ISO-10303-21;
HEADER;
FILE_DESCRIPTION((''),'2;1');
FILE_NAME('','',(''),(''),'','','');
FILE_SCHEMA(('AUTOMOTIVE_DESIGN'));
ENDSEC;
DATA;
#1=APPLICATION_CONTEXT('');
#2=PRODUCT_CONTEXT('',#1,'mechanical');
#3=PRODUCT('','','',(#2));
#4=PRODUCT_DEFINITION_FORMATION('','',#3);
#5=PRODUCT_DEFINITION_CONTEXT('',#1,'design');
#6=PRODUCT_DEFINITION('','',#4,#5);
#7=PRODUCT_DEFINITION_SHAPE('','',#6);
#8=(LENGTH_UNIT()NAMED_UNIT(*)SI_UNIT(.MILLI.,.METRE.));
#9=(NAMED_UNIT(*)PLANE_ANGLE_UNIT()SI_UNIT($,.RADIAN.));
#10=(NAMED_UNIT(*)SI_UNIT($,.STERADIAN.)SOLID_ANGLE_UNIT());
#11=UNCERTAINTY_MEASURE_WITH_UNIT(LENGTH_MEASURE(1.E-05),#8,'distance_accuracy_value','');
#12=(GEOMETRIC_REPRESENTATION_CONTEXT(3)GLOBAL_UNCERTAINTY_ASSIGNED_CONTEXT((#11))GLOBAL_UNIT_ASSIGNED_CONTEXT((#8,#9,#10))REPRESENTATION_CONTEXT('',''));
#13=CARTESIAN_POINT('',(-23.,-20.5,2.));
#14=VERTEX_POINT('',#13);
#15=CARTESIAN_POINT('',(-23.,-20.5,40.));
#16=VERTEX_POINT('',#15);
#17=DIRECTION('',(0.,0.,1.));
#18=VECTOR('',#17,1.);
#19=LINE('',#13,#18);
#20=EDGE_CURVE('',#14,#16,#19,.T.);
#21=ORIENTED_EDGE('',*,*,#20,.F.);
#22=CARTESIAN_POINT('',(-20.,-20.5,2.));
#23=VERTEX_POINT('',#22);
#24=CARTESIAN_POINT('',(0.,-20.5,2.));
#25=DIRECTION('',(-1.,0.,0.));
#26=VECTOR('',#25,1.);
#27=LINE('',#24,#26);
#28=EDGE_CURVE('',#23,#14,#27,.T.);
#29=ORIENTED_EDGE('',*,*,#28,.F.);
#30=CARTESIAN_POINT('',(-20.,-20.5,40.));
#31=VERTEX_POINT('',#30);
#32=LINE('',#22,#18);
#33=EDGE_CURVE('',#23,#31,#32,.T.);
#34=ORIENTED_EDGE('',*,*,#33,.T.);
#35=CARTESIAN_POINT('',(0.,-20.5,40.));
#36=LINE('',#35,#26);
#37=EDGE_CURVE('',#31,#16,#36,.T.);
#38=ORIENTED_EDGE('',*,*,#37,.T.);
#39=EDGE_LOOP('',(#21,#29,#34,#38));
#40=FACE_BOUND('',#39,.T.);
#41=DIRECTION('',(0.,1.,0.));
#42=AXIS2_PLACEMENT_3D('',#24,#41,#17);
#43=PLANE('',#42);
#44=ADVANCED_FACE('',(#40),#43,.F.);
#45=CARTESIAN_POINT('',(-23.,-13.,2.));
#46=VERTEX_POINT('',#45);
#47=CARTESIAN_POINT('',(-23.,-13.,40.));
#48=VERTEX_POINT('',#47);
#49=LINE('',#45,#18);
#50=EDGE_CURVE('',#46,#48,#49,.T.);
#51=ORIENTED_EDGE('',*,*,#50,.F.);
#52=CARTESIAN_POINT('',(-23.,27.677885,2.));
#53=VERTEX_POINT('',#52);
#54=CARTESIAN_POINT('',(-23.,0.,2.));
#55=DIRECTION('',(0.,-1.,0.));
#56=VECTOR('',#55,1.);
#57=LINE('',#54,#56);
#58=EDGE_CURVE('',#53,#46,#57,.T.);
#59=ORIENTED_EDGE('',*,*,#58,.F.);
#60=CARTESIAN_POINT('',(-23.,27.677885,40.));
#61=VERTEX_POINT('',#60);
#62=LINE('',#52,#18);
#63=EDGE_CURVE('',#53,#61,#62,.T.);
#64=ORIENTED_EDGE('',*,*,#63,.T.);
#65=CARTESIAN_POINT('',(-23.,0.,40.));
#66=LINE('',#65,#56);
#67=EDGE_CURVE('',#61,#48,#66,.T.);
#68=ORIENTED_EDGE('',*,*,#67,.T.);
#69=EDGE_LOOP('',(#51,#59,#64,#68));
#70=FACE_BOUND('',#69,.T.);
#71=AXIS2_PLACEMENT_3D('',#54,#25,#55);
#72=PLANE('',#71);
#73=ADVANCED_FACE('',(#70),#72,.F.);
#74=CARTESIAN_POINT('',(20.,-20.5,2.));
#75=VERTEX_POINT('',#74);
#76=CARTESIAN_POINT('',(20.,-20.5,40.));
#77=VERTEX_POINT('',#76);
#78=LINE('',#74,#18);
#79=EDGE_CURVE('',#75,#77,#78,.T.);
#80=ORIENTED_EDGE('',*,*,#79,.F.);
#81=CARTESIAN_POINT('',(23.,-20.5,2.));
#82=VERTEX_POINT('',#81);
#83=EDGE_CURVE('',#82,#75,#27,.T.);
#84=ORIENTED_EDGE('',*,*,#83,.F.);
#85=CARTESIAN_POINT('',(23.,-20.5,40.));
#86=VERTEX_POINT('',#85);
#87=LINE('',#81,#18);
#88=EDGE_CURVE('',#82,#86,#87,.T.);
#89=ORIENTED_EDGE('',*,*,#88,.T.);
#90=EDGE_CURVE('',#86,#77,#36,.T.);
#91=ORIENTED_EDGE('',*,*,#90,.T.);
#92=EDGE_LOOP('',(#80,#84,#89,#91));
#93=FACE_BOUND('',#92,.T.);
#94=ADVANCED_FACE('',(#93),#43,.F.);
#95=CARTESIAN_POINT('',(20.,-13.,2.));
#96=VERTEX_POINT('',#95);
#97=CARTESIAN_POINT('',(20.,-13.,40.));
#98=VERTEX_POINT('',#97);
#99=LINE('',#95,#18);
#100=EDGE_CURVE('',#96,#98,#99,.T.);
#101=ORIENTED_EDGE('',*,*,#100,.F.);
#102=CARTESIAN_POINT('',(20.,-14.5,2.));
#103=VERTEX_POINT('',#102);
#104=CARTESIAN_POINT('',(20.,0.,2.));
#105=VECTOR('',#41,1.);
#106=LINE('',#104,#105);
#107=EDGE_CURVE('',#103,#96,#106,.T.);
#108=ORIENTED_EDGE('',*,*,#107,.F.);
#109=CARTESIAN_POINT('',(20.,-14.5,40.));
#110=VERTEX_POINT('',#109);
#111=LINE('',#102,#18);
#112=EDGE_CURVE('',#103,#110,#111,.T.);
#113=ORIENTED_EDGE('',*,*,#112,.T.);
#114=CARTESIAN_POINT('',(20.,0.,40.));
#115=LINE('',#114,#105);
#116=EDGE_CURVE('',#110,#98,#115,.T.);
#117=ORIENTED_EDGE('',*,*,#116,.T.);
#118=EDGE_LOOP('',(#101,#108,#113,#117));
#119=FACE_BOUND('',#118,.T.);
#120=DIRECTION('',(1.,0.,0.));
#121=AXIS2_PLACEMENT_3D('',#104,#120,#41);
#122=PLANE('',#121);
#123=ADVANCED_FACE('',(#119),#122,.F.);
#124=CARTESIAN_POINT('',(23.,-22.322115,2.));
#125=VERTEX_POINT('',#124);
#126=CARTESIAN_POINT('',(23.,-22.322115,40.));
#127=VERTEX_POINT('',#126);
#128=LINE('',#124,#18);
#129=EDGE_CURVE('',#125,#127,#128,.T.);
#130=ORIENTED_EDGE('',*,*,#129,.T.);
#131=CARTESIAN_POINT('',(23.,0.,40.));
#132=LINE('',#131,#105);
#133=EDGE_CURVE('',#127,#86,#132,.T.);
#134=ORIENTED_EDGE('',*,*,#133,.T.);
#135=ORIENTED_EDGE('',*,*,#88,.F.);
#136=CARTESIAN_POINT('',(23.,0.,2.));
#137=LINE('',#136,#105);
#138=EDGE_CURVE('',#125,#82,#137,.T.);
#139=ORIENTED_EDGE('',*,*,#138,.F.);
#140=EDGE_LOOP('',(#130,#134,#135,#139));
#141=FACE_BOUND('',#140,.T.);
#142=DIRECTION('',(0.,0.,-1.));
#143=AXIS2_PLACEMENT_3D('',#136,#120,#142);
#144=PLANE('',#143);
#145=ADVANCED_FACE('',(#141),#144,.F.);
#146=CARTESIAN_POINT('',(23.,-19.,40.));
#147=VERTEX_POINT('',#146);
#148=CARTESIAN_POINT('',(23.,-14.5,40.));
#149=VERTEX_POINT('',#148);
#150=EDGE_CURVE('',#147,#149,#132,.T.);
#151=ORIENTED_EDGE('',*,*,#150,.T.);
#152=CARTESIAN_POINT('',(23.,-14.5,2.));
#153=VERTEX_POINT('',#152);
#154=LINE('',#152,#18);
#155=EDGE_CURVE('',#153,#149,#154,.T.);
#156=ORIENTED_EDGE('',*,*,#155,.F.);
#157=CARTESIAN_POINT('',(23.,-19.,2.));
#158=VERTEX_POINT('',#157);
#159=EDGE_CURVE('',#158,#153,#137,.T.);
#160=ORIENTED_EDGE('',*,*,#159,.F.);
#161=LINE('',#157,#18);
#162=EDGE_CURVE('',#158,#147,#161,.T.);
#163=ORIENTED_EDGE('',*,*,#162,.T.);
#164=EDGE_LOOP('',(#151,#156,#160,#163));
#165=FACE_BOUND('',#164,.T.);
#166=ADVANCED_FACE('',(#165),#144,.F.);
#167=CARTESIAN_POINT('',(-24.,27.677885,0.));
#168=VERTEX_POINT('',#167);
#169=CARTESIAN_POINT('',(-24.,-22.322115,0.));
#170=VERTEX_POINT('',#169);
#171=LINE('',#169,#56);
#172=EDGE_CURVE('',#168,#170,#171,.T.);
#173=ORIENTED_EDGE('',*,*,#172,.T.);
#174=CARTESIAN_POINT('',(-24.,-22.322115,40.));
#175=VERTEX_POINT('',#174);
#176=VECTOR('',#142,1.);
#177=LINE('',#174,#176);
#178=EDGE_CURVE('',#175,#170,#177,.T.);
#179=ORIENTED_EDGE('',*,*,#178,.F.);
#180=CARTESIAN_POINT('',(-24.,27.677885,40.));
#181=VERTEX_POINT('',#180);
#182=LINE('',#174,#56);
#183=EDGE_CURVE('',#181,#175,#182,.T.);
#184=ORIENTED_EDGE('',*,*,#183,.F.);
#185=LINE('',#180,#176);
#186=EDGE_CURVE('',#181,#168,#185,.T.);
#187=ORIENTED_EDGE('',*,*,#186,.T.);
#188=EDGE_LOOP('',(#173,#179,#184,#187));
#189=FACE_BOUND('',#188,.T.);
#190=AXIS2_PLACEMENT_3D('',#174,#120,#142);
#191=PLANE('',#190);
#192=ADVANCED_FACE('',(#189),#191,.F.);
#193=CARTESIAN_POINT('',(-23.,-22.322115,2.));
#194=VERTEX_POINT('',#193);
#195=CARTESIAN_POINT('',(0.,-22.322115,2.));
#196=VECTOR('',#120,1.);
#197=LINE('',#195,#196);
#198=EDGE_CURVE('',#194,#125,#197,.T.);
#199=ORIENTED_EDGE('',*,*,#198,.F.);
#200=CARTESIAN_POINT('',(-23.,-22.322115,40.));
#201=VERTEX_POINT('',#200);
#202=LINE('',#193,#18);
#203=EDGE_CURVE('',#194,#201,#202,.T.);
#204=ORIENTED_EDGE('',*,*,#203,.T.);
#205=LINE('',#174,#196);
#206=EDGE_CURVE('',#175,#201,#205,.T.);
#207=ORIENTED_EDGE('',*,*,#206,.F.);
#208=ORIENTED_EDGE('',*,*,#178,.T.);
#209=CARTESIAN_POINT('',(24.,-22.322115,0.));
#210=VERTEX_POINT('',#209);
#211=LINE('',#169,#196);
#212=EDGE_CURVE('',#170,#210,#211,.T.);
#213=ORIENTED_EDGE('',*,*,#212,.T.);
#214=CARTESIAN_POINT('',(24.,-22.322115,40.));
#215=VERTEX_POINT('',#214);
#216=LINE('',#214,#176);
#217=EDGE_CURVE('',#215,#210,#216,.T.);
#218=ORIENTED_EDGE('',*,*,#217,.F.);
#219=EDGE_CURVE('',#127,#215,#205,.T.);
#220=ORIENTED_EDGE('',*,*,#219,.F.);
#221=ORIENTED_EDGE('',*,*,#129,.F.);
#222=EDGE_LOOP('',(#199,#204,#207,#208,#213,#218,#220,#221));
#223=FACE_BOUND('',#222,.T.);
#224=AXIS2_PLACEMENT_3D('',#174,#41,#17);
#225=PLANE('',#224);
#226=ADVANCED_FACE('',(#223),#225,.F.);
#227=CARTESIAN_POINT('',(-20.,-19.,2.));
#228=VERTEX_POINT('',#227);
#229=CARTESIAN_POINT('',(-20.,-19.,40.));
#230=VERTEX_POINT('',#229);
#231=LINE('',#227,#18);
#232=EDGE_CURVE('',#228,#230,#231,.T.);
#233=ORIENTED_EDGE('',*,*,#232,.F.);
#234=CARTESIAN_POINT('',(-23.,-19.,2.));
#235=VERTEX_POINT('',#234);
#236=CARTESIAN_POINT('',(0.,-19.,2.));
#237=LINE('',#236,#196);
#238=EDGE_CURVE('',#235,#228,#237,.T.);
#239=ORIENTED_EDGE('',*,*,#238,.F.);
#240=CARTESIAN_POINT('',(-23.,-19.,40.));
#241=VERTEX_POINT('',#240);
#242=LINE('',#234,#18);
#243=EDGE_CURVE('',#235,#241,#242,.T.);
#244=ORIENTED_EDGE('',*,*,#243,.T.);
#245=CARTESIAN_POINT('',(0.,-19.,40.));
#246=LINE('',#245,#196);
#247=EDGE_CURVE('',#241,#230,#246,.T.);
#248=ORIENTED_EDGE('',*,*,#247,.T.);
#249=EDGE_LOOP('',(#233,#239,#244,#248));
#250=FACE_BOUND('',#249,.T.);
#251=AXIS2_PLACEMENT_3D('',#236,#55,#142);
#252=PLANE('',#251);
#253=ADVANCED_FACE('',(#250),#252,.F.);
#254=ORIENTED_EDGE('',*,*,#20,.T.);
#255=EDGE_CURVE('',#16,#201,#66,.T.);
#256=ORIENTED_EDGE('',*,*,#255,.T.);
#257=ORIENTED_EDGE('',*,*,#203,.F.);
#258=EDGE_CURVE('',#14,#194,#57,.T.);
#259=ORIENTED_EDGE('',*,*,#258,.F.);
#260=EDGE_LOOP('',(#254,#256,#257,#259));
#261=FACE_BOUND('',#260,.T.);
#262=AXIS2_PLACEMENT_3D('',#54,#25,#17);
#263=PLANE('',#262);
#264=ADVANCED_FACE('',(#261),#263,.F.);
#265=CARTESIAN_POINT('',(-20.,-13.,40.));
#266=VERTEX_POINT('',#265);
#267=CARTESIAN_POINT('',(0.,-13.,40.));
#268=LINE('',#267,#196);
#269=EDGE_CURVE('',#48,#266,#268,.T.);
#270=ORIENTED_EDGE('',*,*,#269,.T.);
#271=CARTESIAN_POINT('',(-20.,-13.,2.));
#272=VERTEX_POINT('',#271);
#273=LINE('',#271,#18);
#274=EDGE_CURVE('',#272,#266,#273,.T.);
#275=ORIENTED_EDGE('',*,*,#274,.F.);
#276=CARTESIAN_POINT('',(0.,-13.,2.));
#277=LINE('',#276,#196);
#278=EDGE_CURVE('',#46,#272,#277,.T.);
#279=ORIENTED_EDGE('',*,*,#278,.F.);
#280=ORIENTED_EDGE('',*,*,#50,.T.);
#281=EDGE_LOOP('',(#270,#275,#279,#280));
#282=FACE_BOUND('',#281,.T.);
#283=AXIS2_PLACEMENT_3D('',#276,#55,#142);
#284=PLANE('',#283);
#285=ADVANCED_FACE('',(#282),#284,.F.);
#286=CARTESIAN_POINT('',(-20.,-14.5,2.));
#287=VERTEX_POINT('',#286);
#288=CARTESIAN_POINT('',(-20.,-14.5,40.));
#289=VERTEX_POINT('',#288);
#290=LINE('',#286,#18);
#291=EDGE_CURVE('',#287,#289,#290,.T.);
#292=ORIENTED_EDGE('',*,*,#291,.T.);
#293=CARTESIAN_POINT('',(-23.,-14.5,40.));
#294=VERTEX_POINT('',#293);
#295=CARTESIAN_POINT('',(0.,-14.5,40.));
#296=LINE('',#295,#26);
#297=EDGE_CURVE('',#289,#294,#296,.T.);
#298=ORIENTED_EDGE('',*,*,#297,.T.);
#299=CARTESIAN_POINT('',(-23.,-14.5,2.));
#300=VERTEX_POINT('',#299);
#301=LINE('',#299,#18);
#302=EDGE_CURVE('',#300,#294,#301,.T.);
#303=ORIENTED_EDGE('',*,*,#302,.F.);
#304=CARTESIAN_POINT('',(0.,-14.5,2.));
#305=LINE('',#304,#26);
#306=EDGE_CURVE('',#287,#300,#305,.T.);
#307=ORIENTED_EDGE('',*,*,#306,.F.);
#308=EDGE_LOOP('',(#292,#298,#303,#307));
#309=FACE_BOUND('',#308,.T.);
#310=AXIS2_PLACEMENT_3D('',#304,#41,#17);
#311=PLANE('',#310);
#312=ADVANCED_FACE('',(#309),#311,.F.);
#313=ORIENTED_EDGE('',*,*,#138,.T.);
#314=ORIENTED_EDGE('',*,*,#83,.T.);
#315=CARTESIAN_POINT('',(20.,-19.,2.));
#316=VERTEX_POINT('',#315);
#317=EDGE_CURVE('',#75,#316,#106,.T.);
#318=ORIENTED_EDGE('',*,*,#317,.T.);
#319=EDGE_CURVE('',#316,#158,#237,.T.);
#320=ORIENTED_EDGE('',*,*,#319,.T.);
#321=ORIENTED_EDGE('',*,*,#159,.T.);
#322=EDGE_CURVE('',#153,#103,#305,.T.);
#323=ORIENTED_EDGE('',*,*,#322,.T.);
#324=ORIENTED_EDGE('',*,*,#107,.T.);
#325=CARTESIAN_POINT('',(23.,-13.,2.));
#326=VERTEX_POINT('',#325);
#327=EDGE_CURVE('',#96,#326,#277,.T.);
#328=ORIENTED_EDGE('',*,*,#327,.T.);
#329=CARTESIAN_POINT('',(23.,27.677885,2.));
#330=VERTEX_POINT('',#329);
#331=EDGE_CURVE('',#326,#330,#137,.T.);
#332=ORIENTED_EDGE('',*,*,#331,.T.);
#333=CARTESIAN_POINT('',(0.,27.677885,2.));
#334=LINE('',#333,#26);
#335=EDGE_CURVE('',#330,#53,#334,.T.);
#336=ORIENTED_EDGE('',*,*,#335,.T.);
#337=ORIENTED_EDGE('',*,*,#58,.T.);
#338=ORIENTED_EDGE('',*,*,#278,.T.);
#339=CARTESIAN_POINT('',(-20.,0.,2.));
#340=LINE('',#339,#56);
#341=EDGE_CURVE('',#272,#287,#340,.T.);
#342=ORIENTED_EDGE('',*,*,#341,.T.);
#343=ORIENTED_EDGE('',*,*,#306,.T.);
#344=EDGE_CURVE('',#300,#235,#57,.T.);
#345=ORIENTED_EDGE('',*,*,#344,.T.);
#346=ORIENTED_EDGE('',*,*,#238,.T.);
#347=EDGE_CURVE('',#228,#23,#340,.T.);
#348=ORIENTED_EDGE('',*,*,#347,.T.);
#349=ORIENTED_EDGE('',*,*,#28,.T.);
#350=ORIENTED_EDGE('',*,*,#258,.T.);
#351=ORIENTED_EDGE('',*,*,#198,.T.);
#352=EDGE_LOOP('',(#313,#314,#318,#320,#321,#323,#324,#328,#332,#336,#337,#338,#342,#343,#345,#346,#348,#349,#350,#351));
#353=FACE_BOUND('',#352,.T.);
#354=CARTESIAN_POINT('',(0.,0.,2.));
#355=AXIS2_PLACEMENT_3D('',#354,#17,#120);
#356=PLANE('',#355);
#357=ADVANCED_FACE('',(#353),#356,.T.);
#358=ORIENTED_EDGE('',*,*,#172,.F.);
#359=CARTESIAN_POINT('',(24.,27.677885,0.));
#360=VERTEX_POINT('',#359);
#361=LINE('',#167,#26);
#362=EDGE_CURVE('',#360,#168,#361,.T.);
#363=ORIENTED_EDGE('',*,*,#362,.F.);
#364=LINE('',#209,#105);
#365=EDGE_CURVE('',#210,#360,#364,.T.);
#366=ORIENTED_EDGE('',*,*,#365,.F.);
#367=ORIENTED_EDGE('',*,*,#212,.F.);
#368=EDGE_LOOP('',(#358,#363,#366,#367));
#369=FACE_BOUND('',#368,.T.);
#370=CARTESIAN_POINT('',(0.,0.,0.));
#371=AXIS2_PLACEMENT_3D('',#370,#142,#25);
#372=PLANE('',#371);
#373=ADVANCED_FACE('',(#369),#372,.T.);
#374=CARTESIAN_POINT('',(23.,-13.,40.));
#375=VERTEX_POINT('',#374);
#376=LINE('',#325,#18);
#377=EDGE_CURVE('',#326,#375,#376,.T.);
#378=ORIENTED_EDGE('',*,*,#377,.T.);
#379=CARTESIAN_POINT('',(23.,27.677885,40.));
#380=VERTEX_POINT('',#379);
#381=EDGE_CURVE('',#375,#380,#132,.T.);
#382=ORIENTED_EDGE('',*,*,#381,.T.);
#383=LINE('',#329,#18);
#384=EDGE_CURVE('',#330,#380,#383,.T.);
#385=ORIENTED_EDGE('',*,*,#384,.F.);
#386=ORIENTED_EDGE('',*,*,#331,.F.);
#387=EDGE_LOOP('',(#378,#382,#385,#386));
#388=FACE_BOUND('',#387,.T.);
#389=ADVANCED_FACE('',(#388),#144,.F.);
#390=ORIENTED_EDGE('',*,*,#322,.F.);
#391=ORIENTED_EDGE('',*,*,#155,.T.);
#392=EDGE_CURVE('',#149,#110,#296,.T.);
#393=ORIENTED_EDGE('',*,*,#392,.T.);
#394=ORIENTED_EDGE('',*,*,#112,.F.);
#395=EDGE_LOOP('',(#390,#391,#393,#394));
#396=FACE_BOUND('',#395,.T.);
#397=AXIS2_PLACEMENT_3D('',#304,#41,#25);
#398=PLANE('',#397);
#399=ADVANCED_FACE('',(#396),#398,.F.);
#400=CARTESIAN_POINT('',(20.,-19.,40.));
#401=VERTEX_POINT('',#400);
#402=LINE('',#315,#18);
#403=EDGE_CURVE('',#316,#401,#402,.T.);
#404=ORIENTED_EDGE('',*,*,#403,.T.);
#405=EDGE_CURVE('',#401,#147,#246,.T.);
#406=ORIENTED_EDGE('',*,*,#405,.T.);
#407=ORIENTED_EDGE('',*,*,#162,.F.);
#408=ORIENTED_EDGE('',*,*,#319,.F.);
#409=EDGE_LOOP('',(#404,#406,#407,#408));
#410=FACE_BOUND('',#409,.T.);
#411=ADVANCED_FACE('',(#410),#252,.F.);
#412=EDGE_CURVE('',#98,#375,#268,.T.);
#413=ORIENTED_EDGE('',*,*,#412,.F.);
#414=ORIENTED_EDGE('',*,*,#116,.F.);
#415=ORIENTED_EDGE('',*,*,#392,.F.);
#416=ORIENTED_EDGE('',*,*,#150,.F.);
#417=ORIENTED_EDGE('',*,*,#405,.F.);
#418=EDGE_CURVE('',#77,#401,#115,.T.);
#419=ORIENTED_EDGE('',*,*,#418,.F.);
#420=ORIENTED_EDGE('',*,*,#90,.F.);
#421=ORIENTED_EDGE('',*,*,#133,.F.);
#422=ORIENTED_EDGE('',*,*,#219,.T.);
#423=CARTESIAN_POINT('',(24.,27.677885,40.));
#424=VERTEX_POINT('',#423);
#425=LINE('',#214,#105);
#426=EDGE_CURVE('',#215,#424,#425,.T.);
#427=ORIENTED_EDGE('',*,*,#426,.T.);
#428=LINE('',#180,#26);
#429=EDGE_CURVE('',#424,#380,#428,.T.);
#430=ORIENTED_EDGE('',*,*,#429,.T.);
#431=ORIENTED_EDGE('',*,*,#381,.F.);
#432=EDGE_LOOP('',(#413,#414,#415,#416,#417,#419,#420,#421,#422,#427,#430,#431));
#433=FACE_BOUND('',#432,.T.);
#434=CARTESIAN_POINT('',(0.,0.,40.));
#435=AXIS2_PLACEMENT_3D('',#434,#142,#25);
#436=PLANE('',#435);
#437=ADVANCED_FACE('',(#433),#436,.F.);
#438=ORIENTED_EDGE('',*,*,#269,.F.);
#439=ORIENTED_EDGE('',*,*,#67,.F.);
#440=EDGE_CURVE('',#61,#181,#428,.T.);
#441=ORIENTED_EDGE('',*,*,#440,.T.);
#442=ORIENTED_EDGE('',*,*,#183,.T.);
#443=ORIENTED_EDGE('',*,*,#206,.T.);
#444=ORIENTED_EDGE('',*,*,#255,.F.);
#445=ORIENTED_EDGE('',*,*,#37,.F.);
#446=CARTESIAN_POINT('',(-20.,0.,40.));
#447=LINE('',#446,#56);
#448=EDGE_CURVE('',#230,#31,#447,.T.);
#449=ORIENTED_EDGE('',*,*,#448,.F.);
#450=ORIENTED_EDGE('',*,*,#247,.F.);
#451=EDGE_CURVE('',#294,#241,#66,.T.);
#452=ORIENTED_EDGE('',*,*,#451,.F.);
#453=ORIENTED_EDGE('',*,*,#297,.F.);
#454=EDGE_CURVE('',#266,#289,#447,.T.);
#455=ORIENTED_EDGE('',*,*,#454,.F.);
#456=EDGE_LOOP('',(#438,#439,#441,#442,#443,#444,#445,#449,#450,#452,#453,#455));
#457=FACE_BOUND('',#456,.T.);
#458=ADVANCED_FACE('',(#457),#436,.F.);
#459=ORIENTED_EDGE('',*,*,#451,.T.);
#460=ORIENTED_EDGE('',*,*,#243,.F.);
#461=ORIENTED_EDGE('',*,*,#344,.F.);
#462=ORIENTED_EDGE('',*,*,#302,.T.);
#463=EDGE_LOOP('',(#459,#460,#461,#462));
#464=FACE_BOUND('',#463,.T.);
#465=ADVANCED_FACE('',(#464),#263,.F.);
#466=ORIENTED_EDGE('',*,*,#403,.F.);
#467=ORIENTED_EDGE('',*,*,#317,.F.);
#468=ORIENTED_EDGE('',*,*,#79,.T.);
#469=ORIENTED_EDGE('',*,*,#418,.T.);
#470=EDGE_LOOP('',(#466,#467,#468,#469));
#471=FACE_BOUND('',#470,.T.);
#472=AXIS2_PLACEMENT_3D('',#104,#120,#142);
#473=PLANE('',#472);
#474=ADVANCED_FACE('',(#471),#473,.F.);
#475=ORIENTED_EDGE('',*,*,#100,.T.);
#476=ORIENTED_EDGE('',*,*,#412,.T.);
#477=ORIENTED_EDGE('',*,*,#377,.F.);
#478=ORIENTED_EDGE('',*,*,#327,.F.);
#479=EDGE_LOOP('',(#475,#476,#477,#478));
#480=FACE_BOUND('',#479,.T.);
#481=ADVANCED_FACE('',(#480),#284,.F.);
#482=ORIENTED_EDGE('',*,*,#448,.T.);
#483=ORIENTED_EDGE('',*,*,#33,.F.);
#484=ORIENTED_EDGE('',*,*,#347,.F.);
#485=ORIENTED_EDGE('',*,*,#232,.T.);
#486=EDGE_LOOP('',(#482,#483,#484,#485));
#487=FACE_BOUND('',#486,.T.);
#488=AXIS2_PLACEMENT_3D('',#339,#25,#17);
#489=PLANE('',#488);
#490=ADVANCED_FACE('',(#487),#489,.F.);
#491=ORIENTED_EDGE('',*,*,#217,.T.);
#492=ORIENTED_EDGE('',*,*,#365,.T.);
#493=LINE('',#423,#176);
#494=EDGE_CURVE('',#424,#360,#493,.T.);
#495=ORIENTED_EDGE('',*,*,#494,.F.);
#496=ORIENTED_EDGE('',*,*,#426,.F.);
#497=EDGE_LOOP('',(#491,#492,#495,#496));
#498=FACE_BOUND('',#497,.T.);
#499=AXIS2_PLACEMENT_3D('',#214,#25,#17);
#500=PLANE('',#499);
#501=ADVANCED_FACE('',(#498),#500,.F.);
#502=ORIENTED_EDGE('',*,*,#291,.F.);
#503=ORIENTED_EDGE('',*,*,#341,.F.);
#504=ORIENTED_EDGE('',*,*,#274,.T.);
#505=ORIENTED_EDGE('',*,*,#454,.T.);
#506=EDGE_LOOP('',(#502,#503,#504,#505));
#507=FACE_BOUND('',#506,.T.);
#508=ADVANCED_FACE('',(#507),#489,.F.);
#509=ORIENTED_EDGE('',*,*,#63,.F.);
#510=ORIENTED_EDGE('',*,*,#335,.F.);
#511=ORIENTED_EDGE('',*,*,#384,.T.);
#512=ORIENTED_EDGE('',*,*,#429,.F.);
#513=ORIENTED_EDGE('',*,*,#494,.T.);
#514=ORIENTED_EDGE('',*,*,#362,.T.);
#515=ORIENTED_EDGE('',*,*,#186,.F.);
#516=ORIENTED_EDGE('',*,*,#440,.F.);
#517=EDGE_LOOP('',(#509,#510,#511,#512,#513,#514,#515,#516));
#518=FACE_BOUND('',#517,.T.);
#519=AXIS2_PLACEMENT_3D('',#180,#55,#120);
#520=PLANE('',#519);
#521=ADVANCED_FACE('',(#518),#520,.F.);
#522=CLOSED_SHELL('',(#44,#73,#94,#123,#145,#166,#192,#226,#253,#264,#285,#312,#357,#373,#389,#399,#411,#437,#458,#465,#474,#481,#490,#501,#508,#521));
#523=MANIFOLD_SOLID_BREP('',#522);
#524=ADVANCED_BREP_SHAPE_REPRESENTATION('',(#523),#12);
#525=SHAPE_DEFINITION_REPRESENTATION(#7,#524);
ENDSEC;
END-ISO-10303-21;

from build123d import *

# Parameters (mm, degrees)
SKETCH1_W           = 48
SKETCH1_H           = 50
BOSS_EXTRUDE1_DEPTH = 40
CUT_EXTRUDE5_START  = 40
CUT_EXTRUDE5_DEPTH  = 38


with BuildPart() as part:
    # Sketch1 → Boss-Extrude1 (new body)
    with BuildSketch(Plane.XY):
        with Locations((0, 2.677885393)):
            Rectangle(SKETCH1_W, SKETCH1_H)
    extrude(amount=BOSS_EXTRUDE1_DEPTH)

    # Sketch4 → Cut-Extrude5 (cut)
    with BuildSketch(Plane.XY.offset(CUT_EXTRUDE5_START)):
        Polygon((-23, -19), (-23, -14.5), (-20, -14.5), (-20, -13), (-23, -13), (-23, 27.677885393), (23, 27.677885393), (23, -13), (20, -13), (20, -14.5), (23, -14.5), (23, -19), (20, -19), (20, -20.5), (23, -20.5), (23, -22.322114607), (-23, -22.322114607), (-23, -20.5), (-20, -20.5), (-20, -19), align=None)
    extrude(amount=-CUT_EXTRUDE5_DEPTH, mode=Mode.SUBTRACT)


solid = part.part
